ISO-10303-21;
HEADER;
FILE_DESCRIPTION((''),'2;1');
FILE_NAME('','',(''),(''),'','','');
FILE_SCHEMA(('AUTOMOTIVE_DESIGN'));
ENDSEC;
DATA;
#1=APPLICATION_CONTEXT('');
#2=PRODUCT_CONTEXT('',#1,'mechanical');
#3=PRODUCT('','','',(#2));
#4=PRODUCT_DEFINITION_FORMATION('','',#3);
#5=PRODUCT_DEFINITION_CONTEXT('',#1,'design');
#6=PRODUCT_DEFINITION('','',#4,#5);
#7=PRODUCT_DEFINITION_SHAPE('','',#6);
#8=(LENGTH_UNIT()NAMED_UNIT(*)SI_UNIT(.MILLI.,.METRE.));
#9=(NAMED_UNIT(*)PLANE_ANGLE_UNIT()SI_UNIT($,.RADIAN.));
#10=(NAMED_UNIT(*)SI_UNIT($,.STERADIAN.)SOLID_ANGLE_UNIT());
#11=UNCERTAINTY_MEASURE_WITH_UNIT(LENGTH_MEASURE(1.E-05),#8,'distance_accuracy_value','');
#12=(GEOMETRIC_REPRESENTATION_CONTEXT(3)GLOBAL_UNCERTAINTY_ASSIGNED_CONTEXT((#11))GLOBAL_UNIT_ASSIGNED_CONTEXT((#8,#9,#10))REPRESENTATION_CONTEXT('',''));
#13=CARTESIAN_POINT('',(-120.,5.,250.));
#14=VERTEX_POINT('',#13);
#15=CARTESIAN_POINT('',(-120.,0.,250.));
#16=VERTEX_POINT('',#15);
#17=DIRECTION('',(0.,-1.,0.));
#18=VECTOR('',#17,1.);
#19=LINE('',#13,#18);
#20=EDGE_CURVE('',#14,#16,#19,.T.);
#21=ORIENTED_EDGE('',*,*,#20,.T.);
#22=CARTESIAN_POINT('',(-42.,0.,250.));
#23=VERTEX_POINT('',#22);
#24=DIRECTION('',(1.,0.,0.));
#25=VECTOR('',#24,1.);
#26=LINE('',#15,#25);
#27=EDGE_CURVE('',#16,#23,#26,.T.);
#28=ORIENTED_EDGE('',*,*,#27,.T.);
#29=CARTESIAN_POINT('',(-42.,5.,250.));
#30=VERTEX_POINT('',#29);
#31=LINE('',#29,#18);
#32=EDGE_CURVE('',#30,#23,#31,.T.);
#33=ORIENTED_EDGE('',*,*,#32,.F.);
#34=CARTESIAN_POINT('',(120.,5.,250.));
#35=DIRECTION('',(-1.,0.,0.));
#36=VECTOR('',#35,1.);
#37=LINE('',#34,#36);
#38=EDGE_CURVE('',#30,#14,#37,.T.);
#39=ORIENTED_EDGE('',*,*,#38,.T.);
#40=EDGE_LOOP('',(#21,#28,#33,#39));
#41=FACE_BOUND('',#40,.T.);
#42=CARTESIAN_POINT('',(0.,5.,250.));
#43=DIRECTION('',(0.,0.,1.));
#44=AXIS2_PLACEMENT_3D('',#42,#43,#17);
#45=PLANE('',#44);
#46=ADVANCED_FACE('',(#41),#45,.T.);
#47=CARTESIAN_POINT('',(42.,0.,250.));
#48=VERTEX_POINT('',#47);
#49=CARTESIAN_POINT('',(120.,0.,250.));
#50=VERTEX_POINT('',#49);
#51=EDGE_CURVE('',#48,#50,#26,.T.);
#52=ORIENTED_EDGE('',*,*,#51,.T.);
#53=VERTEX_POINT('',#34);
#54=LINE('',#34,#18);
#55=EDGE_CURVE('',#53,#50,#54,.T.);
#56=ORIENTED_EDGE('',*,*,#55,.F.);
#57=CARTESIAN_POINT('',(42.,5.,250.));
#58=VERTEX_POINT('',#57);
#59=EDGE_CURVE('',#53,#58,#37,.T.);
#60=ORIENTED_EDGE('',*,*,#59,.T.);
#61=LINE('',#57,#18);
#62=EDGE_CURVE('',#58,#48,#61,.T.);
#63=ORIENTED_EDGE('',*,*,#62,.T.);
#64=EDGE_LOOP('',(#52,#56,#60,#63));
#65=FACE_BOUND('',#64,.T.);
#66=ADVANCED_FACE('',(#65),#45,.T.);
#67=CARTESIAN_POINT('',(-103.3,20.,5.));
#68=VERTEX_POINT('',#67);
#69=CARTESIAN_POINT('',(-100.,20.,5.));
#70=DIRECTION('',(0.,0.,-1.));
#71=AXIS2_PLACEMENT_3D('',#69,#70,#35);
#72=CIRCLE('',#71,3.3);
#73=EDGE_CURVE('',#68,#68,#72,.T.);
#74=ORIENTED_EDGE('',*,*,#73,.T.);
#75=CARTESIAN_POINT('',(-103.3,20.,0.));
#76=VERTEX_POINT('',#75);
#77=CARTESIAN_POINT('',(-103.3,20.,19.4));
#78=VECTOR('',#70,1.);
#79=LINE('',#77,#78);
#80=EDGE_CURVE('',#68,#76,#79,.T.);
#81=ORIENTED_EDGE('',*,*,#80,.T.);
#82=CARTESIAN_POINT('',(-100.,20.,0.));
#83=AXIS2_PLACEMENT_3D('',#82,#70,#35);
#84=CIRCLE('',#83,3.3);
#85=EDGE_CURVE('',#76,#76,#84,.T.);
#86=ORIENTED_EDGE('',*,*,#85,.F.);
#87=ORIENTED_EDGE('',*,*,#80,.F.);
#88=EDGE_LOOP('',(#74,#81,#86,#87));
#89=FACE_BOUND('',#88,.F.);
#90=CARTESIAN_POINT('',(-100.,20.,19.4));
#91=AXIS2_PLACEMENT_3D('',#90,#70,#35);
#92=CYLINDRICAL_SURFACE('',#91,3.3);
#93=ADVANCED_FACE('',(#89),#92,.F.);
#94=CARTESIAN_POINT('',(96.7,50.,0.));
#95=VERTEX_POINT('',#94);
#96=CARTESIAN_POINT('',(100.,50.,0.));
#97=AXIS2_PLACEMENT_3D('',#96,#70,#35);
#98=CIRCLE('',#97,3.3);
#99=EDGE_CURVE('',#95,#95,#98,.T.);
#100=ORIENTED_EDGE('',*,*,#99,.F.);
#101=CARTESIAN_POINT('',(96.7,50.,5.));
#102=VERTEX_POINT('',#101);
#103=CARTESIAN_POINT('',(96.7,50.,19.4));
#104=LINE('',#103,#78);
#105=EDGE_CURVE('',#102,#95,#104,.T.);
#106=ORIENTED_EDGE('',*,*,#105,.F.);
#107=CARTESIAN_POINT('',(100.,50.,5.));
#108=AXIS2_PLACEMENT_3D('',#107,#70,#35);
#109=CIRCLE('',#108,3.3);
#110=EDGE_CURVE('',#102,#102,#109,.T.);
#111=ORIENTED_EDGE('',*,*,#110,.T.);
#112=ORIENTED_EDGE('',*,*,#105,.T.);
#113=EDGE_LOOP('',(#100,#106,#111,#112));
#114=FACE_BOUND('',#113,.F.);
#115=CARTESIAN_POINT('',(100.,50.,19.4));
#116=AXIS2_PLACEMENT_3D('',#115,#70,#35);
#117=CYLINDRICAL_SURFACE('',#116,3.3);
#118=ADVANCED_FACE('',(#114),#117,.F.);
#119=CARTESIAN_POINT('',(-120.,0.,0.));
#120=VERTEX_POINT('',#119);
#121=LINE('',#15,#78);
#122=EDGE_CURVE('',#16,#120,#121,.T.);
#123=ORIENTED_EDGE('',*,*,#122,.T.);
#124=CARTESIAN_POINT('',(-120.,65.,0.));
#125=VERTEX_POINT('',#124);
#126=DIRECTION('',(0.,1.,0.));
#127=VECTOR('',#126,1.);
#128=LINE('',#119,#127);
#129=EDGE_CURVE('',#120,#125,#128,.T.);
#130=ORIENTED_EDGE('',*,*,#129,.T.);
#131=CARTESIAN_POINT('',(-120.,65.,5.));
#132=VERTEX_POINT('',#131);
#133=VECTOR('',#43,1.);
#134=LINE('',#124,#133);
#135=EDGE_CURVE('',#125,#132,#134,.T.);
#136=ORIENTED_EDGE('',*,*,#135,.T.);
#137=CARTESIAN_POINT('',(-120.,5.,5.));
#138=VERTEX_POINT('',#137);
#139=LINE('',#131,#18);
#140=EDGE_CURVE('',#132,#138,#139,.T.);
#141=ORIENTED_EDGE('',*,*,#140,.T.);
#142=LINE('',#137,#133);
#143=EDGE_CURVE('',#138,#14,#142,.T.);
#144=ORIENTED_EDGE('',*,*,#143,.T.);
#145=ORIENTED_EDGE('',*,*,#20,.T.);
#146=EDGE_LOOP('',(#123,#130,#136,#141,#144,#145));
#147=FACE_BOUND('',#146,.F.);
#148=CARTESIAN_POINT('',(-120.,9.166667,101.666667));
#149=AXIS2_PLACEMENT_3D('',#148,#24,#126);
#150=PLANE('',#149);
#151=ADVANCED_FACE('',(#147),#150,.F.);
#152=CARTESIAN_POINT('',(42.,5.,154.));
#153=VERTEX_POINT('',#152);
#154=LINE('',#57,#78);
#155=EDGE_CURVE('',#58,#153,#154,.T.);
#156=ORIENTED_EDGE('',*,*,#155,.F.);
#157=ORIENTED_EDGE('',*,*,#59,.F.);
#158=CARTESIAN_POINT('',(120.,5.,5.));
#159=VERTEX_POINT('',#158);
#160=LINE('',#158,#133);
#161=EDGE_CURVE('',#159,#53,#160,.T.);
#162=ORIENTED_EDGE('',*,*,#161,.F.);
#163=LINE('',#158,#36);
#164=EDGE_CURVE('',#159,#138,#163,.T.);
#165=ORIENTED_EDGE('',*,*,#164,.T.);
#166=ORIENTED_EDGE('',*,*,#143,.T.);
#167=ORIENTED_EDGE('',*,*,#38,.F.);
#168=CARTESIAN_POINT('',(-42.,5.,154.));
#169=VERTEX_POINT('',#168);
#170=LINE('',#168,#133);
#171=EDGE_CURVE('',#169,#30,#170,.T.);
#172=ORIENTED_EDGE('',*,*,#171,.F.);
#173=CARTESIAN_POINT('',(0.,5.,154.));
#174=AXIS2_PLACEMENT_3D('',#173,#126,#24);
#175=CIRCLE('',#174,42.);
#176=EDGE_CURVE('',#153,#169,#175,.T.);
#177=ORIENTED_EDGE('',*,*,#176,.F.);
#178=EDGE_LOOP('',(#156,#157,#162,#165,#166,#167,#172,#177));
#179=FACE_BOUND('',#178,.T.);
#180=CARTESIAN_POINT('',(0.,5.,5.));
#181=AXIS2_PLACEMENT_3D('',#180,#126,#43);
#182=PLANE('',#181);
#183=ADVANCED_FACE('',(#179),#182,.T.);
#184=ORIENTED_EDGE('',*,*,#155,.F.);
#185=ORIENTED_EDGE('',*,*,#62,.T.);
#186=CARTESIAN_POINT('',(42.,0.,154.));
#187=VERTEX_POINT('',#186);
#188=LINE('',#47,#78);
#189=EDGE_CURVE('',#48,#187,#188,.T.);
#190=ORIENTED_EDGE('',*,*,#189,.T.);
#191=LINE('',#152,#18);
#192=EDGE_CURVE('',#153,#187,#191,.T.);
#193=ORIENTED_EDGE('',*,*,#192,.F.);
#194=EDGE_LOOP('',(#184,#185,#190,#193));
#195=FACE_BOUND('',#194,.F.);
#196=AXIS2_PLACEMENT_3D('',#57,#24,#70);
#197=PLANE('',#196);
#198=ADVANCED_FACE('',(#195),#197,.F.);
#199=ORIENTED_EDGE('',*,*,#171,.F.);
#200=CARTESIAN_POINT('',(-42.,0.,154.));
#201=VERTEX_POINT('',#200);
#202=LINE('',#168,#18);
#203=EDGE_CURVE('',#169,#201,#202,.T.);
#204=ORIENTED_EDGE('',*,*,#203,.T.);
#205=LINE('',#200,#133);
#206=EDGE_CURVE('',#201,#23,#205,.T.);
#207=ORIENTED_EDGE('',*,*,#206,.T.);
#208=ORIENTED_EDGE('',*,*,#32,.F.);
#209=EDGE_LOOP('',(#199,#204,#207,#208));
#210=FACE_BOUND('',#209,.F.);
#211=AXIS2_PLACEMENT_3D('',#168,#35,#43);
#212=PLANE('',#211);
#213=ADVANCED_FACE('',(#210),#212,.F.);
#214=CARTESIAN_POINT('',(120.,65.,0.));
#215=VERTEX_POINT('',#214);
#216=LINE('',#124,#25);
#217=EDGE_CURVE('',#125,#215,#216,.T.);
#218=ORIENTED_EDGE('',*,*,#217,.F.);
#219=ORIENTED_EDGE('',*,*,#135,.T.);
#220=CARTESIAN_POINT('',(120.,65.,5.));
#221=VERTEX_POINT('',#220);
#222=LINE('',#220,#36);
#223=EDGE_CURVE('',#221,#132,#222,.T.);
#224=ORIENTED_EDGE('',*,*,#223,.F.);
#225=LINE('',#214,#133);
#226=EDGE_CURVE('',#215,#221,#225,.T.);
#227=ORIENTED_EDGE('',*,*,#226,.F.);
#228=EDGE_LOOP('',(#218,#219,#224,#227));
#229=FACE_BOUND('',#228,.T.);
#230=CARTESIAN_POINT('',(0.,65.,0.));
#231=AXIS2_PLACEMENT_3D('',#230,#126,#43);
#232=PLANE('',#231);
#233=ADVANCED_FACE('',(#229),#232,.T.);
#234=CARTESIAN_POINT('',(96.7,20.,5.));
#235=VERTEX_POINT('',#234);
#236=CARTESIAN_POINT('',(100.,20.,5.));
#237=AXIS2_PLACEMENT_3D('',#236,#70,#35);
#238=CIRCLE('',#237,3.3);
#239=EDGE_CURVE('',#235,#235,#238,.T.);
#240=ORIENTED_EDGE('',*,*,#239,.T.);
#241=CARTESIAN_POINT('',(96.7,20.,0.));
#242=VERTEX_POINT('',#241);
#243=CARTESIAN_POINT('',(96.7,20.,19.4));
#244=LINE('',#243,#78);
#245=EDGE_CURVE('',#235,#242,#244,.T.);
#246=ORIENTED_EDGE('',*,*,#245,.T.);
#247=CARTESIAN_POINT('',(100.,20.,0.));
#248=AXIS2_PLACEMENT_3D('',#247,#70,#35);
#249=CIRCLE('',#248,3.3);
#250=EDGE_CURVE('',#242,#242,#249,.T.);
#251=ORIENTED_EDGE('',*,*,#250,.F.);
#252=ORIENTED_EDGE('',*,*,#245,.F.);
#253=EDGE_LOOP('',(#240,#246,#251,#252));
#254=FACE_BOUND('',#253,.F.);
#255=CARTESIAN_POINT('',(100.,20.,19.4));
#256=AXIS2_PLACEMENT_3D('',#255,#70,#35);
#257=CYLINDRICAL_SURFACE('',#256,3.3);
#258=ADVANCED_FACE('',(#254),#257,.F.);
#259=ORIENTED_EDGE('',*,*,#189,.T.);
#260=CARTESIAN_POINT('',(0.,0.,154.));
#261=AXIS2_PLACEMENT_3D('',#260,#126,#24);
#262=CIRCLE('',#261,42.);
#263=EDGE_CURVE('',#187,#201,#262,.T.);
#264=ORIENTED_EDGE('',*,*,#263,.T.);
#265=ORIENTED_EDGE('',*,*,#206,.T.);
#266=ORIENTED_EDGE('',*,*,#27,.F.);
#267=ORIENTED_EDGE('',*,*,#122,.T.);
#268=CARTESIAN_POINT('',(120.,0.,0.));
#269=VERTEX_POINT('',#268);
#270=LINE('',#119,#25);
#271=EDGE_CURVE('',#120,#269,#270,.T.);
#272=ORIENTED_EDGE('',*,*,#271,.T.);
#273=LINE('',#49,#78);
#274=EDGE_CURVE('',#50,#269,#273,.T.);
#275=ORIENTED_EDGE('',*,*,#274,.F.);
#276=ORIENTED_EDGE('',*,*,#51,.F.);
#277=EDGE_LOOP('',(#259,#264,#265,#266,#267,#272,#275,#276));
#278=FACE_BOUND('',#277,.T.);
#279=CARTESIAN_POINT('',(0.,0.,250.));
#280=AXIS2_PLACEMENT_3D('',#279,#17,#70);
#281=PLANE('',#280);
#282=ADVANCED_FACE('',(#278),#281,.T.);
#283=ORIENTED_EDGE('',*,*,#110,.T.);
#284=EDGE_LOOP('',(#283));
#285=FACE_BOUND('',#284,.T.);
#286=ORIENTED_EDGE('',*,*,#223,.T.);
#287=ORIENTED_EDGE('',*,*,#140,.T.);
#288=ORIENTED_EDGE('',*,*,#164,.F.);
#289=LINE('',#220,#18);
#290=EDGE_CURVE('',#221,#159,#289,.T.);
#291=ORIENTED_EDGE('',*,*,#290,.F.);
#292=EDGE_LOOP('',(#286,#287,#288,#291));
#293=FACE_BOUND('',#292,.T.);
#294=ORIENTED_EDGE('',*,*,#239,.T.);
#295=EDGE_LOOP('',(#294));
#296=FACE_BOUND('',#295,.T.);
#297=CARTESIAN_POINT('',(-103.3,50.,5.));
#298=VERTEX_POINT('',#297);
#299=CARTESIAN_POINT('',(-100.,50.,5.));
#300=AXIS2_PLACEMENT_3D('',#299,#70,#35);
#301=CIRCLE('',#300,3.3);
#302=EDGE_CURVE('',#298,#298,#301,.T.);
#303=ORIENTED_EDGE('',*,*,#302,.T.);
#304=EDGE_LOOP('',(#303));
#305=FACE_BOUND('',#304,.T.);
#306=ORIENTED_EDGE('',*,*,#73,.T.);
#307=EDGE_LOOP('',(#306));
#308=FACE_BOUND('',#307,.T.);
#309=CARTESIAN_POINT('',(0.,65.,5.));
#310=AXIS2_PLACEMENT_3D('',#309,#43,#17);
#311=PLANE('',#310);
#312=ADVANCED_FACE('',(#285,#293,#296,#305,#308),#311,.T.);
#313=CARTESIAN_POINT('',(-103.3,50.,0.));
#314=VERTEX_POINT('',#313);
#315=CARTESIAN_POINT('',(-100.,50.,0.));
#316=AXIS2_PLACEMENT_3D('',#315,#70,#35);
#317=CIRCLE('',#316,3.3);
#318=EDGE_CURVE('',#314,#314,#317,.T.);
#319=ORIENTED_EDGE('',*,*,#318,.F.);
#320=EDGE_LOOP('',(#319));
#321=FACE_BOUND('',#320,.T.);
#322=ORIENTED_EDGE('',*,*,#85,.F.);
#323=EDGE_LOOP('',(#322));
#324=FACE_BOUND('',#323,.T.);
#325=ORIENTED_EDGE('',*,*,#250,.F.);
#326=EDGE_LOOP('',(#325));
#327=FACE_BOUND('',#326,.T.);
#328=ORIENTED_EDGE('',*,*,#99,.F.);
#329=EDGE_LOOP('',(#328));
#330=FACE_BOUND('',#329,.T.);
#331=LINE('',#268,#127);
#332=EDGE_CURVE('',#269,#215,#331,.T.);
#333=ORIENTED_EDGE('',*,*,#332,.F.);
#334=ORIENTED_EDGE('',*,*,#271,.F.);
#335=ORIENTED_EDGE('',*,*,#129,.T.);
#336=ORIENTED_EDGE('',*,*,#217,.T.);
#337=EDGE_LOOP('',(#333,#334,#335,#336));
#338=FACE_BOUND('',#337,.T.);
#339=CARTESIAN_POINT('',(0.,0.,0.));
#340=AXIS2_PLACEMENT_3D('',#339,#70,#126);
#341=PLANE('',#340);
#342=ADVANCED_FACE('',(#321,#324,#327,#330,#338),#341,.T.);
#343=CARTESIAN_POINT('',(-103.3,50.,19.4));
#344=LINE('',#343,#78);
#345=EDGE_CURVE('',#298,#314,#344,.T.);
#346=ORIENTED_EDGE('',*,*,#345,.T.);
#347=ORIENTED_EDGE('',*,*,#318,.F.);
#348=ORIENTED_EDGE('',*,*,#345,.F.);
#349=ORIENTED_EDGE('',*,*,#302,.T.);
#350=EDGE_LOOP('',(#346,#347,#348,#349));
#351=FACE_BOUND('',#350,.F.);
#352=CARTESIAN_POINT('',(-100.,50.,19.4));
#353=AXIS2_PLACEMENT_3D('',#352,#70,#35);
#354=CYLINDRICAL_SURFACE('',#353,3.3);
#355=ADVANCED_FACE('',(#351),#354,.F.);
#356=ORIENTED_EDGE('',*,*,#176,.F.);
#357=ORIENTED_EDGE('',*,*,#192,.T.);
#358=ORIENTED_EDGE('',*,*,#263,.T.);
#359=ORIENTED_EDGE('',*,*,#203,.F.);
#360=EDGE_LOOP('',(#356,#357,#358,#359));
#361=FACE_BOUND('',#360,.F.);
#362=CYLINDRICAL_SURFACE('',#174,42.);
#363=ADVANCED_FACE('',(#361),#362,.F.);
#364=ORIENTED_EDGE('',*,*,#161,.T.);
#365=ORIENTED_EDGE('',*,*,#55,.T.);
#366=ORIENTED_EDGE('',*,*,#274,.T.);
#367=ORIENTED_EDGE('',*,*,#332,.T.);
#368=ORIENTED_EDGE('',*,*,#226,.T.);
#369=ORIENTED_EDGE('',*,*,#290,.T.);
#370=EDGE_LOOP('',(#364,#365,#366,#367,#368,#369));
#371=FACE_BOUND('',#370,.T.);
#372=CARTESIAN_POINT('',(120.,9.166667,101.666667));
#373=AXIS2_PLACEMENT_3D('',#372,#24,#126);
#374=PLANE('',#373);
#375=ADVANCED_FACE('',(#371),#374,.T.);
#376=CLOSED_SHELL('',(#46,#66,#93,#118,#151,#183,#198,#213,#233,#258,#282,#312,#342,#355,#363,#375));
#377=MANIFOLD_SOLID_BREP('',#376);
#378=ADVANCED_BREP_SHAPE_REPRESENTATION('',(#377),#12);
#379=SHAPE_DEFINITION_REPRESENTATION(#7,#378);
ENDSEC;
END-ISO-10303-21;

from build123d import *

# Parameters (mm, degrees)
F1_DEPTH = 120
F3_DEPTH = 5
F5_D     = 6.6
F5_DEPTH = 14.4
F5_TIP   = 1.9828400428


with BuildPart() as f1:
    # F0 (on Right) → F1 (new body, symmetric)
    with BuildSketch(Plane.YZ):
        Polygon((5, 250), (0, 250), (0, 0), (65, 0), (65, 5), (5, 5), align=None)
    extrude(amount=F1_DEPTH, both=True)

    # F2 (on face) → F3 (cut, through all)
    with BuildSketch(Plane(origin=(0, 5, 0), x_dir=(-1, 0, 0), z_dir=(0, 1, 0))):
        with BuildLine():
            ThreePointArc((-42, 154), (0, 112), (42, 154))
            Line((42, 154), (42, 250))
            Line((42, 250), (-42, 250))
            Line((-42, 250), (-42, 154))
        make_face()
    extrude(amount=-F3_DEPTH, mode=Mode.SUBTRACT)

    # F5
    with Locations(Plane.XY.offset(5)):
        with Locations((-100, 20), (-100, 50), (100, 20), (100, 50)):
            Hole(F5_D / 2, depth=F5_DEPTH)
            with Locations((0, 0, -(F5_DEPTH + F5_TIP / 2))):  # 118° drill point
                Cone(0, F5_D / 2, F5_TIP, mode=Mode.SUBTRACT)


solid = f1.part
